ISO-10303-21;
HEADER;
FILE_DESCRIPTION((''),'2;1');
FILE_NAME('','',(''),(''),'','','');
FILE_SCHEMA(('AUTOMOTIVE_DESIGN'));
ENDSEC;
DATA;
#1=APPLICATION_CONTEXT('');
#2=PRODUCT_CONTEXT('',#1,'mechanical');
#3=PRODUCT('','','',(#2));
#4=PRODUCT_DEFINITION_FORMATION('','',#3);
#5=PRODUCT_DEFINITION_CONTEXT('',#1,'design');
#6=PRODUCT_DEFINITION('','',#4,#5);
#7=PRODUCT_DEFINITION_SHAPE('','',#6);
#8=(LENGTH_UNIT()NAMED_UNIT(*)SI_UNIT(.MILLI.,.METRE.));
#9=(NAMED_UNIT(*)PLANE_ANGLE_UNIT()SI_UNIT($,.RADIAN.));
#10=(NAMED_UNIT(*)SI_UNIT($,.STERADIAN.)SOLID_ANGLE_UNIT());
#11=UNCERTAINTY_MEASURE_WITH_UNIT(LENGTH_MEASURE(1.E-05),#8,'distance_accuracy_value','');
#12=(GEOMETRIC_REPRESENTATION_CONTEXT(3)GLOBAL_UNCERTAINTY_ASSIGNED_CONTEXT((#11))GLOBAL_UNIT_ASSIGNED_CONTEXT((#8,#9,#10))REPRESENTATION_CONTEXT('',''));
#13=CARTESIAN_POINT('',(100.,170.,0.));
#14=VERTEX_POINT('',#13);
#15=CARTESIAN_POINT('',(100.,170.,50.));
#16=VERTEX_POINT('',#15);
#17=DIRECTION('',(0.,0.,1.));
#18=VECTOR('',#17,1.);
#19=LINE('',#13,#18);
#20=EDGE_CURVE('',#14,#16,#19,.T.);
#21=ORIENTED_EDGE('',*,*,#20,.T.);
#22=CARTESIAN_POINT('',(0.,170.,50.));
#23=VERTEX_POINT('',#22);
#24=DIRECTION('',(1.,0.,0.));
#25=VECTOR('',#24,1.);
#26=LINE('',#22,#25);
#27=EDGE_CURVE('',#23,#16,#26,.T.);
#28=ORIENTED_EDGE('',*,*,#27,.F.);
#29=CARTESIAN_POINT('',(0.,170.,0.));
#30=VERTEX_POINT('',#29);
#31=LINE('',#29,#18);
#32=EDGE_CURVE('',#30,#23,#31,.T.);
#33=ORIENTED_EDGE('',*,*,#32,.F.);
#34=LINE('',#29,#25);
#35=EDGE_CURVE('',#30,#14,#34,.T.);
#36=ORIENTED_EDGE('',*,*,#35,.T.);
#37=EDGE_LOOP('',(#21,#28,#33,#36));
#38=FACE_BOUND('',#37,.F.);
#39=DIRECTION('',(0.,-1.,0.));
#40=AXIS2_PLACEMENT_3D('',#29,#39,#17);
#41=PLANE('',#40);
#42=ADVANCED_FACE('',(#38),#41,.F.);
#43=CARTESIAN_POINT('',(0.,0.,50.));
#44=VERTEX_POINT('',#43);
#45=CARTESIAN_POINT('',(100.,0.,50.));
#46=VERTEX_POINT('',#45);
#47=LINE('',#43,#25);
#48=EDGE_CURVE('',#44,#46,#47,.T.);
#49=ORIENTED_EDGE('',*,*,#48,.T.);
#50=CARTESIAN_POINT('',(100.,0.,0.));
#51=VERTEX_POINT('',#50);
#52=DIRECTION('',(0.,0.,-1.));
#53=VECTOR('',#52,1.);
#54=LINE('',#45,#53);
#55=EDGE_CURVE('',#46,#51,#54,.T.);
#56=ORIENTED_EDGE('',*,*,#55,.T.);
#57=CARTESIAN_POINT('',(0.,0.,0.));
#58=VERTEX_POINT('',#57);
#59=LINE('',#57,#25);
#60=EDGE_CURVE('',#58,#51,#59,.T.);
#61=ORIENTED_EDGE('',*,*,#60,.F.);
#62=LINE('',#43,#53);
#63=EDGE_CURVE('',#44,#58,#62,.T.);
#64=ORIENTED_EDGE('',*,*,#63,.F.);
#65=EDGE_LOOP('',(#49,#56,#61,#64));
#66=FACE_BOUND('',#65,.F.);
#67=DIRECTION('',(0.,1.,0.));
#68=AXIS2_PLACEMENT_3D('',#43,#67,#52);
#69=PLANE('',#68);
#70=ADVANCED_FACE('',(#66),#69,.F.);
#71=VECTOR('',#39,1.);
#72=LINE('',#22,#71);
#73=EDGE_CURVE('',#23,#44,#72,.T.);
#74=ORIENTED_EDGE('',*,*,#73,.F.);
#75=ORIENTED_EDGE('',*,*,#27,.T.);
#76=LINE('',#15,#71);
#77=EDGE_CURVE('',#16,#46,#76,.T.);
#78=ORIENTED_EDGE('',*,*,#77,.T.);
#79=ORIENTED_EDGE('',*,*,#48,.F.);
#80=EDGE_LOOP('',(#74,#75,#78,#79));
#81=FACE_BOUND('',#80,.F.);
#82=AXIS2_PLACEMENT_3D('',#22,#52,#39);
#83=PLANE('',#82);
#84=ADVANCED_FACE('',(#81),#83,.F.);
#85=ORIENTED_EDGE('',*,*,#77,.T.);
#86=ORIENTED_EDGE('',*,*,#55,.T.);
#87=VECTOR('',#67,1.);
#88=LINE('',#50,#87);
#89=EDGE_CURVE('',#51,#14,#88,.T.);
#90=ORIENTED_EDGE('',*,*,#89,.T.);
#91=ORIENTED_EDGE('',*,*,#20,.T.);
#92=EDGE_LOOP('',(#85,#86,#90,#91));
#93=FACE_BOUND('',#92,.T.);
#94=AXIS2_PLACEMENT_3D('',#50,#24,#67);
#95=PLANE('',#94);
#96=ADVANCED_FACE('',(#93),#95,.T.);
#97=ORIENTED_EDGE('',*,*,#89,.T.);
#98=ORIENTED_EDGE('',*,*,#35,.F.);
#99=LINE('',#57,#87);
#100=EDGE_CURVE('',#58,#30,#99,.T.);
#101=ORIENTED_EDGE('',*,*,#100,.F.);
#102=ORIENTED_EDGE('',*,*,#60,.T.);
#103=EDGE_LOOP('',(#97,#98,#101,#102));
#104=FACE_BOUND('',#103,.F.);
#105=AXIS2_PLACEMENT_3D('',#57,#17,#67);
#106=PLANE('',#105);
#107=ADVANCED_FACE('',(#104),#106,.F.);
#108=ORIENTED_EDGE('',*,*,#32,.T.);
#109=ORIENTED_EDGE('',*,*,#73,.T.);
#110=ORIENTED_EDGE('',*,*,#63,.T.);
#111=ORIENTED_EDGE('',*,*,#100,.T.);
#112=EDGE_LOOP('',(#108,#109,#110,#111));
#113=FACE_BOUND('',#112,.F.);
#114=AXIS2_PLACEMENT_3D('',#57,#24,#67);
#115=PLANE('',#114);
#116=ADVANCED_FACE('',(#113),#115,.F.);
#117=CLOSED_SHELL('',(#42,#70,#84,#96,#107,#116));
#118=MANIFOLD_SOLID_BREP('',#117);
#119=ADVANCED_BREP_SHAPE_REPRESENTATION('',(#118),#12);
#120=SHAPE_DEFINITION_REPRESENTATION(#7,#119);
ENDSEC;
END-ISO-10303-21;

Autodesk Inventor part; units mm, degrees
ref_plane "YZ Plane" through (0, 0, 0) normal (1, 0, 0) x (0, 1, 0)
ref_plane "XZ Plane" through (0, 0, 0) normal (0, 1, 0) x (-1, 0, 0)
ref_plane "XY Plane" through (0, 0, 0) normal (0, 0, 1) x (1, 0, 0)
sketch "Эскиз1" plane through (0, 0, 0) normal (1, 0, 0) x (0, 1, 0)
  line L0 (0, 0) -> (170, 0)
  line L1 (170, 0) -> (170, 50)
  line L2 (170, 50) -> (0, 50)
  line L3 (0, 50) -> (0, 0)
  dimension "d0" = 170
  dimension "d1" = 50
extrude "Выдавливание1" add sketch "Эскиз1" along normal blind 100
properties part number "КонтроллерСпинер" material "Пластик АБС"
